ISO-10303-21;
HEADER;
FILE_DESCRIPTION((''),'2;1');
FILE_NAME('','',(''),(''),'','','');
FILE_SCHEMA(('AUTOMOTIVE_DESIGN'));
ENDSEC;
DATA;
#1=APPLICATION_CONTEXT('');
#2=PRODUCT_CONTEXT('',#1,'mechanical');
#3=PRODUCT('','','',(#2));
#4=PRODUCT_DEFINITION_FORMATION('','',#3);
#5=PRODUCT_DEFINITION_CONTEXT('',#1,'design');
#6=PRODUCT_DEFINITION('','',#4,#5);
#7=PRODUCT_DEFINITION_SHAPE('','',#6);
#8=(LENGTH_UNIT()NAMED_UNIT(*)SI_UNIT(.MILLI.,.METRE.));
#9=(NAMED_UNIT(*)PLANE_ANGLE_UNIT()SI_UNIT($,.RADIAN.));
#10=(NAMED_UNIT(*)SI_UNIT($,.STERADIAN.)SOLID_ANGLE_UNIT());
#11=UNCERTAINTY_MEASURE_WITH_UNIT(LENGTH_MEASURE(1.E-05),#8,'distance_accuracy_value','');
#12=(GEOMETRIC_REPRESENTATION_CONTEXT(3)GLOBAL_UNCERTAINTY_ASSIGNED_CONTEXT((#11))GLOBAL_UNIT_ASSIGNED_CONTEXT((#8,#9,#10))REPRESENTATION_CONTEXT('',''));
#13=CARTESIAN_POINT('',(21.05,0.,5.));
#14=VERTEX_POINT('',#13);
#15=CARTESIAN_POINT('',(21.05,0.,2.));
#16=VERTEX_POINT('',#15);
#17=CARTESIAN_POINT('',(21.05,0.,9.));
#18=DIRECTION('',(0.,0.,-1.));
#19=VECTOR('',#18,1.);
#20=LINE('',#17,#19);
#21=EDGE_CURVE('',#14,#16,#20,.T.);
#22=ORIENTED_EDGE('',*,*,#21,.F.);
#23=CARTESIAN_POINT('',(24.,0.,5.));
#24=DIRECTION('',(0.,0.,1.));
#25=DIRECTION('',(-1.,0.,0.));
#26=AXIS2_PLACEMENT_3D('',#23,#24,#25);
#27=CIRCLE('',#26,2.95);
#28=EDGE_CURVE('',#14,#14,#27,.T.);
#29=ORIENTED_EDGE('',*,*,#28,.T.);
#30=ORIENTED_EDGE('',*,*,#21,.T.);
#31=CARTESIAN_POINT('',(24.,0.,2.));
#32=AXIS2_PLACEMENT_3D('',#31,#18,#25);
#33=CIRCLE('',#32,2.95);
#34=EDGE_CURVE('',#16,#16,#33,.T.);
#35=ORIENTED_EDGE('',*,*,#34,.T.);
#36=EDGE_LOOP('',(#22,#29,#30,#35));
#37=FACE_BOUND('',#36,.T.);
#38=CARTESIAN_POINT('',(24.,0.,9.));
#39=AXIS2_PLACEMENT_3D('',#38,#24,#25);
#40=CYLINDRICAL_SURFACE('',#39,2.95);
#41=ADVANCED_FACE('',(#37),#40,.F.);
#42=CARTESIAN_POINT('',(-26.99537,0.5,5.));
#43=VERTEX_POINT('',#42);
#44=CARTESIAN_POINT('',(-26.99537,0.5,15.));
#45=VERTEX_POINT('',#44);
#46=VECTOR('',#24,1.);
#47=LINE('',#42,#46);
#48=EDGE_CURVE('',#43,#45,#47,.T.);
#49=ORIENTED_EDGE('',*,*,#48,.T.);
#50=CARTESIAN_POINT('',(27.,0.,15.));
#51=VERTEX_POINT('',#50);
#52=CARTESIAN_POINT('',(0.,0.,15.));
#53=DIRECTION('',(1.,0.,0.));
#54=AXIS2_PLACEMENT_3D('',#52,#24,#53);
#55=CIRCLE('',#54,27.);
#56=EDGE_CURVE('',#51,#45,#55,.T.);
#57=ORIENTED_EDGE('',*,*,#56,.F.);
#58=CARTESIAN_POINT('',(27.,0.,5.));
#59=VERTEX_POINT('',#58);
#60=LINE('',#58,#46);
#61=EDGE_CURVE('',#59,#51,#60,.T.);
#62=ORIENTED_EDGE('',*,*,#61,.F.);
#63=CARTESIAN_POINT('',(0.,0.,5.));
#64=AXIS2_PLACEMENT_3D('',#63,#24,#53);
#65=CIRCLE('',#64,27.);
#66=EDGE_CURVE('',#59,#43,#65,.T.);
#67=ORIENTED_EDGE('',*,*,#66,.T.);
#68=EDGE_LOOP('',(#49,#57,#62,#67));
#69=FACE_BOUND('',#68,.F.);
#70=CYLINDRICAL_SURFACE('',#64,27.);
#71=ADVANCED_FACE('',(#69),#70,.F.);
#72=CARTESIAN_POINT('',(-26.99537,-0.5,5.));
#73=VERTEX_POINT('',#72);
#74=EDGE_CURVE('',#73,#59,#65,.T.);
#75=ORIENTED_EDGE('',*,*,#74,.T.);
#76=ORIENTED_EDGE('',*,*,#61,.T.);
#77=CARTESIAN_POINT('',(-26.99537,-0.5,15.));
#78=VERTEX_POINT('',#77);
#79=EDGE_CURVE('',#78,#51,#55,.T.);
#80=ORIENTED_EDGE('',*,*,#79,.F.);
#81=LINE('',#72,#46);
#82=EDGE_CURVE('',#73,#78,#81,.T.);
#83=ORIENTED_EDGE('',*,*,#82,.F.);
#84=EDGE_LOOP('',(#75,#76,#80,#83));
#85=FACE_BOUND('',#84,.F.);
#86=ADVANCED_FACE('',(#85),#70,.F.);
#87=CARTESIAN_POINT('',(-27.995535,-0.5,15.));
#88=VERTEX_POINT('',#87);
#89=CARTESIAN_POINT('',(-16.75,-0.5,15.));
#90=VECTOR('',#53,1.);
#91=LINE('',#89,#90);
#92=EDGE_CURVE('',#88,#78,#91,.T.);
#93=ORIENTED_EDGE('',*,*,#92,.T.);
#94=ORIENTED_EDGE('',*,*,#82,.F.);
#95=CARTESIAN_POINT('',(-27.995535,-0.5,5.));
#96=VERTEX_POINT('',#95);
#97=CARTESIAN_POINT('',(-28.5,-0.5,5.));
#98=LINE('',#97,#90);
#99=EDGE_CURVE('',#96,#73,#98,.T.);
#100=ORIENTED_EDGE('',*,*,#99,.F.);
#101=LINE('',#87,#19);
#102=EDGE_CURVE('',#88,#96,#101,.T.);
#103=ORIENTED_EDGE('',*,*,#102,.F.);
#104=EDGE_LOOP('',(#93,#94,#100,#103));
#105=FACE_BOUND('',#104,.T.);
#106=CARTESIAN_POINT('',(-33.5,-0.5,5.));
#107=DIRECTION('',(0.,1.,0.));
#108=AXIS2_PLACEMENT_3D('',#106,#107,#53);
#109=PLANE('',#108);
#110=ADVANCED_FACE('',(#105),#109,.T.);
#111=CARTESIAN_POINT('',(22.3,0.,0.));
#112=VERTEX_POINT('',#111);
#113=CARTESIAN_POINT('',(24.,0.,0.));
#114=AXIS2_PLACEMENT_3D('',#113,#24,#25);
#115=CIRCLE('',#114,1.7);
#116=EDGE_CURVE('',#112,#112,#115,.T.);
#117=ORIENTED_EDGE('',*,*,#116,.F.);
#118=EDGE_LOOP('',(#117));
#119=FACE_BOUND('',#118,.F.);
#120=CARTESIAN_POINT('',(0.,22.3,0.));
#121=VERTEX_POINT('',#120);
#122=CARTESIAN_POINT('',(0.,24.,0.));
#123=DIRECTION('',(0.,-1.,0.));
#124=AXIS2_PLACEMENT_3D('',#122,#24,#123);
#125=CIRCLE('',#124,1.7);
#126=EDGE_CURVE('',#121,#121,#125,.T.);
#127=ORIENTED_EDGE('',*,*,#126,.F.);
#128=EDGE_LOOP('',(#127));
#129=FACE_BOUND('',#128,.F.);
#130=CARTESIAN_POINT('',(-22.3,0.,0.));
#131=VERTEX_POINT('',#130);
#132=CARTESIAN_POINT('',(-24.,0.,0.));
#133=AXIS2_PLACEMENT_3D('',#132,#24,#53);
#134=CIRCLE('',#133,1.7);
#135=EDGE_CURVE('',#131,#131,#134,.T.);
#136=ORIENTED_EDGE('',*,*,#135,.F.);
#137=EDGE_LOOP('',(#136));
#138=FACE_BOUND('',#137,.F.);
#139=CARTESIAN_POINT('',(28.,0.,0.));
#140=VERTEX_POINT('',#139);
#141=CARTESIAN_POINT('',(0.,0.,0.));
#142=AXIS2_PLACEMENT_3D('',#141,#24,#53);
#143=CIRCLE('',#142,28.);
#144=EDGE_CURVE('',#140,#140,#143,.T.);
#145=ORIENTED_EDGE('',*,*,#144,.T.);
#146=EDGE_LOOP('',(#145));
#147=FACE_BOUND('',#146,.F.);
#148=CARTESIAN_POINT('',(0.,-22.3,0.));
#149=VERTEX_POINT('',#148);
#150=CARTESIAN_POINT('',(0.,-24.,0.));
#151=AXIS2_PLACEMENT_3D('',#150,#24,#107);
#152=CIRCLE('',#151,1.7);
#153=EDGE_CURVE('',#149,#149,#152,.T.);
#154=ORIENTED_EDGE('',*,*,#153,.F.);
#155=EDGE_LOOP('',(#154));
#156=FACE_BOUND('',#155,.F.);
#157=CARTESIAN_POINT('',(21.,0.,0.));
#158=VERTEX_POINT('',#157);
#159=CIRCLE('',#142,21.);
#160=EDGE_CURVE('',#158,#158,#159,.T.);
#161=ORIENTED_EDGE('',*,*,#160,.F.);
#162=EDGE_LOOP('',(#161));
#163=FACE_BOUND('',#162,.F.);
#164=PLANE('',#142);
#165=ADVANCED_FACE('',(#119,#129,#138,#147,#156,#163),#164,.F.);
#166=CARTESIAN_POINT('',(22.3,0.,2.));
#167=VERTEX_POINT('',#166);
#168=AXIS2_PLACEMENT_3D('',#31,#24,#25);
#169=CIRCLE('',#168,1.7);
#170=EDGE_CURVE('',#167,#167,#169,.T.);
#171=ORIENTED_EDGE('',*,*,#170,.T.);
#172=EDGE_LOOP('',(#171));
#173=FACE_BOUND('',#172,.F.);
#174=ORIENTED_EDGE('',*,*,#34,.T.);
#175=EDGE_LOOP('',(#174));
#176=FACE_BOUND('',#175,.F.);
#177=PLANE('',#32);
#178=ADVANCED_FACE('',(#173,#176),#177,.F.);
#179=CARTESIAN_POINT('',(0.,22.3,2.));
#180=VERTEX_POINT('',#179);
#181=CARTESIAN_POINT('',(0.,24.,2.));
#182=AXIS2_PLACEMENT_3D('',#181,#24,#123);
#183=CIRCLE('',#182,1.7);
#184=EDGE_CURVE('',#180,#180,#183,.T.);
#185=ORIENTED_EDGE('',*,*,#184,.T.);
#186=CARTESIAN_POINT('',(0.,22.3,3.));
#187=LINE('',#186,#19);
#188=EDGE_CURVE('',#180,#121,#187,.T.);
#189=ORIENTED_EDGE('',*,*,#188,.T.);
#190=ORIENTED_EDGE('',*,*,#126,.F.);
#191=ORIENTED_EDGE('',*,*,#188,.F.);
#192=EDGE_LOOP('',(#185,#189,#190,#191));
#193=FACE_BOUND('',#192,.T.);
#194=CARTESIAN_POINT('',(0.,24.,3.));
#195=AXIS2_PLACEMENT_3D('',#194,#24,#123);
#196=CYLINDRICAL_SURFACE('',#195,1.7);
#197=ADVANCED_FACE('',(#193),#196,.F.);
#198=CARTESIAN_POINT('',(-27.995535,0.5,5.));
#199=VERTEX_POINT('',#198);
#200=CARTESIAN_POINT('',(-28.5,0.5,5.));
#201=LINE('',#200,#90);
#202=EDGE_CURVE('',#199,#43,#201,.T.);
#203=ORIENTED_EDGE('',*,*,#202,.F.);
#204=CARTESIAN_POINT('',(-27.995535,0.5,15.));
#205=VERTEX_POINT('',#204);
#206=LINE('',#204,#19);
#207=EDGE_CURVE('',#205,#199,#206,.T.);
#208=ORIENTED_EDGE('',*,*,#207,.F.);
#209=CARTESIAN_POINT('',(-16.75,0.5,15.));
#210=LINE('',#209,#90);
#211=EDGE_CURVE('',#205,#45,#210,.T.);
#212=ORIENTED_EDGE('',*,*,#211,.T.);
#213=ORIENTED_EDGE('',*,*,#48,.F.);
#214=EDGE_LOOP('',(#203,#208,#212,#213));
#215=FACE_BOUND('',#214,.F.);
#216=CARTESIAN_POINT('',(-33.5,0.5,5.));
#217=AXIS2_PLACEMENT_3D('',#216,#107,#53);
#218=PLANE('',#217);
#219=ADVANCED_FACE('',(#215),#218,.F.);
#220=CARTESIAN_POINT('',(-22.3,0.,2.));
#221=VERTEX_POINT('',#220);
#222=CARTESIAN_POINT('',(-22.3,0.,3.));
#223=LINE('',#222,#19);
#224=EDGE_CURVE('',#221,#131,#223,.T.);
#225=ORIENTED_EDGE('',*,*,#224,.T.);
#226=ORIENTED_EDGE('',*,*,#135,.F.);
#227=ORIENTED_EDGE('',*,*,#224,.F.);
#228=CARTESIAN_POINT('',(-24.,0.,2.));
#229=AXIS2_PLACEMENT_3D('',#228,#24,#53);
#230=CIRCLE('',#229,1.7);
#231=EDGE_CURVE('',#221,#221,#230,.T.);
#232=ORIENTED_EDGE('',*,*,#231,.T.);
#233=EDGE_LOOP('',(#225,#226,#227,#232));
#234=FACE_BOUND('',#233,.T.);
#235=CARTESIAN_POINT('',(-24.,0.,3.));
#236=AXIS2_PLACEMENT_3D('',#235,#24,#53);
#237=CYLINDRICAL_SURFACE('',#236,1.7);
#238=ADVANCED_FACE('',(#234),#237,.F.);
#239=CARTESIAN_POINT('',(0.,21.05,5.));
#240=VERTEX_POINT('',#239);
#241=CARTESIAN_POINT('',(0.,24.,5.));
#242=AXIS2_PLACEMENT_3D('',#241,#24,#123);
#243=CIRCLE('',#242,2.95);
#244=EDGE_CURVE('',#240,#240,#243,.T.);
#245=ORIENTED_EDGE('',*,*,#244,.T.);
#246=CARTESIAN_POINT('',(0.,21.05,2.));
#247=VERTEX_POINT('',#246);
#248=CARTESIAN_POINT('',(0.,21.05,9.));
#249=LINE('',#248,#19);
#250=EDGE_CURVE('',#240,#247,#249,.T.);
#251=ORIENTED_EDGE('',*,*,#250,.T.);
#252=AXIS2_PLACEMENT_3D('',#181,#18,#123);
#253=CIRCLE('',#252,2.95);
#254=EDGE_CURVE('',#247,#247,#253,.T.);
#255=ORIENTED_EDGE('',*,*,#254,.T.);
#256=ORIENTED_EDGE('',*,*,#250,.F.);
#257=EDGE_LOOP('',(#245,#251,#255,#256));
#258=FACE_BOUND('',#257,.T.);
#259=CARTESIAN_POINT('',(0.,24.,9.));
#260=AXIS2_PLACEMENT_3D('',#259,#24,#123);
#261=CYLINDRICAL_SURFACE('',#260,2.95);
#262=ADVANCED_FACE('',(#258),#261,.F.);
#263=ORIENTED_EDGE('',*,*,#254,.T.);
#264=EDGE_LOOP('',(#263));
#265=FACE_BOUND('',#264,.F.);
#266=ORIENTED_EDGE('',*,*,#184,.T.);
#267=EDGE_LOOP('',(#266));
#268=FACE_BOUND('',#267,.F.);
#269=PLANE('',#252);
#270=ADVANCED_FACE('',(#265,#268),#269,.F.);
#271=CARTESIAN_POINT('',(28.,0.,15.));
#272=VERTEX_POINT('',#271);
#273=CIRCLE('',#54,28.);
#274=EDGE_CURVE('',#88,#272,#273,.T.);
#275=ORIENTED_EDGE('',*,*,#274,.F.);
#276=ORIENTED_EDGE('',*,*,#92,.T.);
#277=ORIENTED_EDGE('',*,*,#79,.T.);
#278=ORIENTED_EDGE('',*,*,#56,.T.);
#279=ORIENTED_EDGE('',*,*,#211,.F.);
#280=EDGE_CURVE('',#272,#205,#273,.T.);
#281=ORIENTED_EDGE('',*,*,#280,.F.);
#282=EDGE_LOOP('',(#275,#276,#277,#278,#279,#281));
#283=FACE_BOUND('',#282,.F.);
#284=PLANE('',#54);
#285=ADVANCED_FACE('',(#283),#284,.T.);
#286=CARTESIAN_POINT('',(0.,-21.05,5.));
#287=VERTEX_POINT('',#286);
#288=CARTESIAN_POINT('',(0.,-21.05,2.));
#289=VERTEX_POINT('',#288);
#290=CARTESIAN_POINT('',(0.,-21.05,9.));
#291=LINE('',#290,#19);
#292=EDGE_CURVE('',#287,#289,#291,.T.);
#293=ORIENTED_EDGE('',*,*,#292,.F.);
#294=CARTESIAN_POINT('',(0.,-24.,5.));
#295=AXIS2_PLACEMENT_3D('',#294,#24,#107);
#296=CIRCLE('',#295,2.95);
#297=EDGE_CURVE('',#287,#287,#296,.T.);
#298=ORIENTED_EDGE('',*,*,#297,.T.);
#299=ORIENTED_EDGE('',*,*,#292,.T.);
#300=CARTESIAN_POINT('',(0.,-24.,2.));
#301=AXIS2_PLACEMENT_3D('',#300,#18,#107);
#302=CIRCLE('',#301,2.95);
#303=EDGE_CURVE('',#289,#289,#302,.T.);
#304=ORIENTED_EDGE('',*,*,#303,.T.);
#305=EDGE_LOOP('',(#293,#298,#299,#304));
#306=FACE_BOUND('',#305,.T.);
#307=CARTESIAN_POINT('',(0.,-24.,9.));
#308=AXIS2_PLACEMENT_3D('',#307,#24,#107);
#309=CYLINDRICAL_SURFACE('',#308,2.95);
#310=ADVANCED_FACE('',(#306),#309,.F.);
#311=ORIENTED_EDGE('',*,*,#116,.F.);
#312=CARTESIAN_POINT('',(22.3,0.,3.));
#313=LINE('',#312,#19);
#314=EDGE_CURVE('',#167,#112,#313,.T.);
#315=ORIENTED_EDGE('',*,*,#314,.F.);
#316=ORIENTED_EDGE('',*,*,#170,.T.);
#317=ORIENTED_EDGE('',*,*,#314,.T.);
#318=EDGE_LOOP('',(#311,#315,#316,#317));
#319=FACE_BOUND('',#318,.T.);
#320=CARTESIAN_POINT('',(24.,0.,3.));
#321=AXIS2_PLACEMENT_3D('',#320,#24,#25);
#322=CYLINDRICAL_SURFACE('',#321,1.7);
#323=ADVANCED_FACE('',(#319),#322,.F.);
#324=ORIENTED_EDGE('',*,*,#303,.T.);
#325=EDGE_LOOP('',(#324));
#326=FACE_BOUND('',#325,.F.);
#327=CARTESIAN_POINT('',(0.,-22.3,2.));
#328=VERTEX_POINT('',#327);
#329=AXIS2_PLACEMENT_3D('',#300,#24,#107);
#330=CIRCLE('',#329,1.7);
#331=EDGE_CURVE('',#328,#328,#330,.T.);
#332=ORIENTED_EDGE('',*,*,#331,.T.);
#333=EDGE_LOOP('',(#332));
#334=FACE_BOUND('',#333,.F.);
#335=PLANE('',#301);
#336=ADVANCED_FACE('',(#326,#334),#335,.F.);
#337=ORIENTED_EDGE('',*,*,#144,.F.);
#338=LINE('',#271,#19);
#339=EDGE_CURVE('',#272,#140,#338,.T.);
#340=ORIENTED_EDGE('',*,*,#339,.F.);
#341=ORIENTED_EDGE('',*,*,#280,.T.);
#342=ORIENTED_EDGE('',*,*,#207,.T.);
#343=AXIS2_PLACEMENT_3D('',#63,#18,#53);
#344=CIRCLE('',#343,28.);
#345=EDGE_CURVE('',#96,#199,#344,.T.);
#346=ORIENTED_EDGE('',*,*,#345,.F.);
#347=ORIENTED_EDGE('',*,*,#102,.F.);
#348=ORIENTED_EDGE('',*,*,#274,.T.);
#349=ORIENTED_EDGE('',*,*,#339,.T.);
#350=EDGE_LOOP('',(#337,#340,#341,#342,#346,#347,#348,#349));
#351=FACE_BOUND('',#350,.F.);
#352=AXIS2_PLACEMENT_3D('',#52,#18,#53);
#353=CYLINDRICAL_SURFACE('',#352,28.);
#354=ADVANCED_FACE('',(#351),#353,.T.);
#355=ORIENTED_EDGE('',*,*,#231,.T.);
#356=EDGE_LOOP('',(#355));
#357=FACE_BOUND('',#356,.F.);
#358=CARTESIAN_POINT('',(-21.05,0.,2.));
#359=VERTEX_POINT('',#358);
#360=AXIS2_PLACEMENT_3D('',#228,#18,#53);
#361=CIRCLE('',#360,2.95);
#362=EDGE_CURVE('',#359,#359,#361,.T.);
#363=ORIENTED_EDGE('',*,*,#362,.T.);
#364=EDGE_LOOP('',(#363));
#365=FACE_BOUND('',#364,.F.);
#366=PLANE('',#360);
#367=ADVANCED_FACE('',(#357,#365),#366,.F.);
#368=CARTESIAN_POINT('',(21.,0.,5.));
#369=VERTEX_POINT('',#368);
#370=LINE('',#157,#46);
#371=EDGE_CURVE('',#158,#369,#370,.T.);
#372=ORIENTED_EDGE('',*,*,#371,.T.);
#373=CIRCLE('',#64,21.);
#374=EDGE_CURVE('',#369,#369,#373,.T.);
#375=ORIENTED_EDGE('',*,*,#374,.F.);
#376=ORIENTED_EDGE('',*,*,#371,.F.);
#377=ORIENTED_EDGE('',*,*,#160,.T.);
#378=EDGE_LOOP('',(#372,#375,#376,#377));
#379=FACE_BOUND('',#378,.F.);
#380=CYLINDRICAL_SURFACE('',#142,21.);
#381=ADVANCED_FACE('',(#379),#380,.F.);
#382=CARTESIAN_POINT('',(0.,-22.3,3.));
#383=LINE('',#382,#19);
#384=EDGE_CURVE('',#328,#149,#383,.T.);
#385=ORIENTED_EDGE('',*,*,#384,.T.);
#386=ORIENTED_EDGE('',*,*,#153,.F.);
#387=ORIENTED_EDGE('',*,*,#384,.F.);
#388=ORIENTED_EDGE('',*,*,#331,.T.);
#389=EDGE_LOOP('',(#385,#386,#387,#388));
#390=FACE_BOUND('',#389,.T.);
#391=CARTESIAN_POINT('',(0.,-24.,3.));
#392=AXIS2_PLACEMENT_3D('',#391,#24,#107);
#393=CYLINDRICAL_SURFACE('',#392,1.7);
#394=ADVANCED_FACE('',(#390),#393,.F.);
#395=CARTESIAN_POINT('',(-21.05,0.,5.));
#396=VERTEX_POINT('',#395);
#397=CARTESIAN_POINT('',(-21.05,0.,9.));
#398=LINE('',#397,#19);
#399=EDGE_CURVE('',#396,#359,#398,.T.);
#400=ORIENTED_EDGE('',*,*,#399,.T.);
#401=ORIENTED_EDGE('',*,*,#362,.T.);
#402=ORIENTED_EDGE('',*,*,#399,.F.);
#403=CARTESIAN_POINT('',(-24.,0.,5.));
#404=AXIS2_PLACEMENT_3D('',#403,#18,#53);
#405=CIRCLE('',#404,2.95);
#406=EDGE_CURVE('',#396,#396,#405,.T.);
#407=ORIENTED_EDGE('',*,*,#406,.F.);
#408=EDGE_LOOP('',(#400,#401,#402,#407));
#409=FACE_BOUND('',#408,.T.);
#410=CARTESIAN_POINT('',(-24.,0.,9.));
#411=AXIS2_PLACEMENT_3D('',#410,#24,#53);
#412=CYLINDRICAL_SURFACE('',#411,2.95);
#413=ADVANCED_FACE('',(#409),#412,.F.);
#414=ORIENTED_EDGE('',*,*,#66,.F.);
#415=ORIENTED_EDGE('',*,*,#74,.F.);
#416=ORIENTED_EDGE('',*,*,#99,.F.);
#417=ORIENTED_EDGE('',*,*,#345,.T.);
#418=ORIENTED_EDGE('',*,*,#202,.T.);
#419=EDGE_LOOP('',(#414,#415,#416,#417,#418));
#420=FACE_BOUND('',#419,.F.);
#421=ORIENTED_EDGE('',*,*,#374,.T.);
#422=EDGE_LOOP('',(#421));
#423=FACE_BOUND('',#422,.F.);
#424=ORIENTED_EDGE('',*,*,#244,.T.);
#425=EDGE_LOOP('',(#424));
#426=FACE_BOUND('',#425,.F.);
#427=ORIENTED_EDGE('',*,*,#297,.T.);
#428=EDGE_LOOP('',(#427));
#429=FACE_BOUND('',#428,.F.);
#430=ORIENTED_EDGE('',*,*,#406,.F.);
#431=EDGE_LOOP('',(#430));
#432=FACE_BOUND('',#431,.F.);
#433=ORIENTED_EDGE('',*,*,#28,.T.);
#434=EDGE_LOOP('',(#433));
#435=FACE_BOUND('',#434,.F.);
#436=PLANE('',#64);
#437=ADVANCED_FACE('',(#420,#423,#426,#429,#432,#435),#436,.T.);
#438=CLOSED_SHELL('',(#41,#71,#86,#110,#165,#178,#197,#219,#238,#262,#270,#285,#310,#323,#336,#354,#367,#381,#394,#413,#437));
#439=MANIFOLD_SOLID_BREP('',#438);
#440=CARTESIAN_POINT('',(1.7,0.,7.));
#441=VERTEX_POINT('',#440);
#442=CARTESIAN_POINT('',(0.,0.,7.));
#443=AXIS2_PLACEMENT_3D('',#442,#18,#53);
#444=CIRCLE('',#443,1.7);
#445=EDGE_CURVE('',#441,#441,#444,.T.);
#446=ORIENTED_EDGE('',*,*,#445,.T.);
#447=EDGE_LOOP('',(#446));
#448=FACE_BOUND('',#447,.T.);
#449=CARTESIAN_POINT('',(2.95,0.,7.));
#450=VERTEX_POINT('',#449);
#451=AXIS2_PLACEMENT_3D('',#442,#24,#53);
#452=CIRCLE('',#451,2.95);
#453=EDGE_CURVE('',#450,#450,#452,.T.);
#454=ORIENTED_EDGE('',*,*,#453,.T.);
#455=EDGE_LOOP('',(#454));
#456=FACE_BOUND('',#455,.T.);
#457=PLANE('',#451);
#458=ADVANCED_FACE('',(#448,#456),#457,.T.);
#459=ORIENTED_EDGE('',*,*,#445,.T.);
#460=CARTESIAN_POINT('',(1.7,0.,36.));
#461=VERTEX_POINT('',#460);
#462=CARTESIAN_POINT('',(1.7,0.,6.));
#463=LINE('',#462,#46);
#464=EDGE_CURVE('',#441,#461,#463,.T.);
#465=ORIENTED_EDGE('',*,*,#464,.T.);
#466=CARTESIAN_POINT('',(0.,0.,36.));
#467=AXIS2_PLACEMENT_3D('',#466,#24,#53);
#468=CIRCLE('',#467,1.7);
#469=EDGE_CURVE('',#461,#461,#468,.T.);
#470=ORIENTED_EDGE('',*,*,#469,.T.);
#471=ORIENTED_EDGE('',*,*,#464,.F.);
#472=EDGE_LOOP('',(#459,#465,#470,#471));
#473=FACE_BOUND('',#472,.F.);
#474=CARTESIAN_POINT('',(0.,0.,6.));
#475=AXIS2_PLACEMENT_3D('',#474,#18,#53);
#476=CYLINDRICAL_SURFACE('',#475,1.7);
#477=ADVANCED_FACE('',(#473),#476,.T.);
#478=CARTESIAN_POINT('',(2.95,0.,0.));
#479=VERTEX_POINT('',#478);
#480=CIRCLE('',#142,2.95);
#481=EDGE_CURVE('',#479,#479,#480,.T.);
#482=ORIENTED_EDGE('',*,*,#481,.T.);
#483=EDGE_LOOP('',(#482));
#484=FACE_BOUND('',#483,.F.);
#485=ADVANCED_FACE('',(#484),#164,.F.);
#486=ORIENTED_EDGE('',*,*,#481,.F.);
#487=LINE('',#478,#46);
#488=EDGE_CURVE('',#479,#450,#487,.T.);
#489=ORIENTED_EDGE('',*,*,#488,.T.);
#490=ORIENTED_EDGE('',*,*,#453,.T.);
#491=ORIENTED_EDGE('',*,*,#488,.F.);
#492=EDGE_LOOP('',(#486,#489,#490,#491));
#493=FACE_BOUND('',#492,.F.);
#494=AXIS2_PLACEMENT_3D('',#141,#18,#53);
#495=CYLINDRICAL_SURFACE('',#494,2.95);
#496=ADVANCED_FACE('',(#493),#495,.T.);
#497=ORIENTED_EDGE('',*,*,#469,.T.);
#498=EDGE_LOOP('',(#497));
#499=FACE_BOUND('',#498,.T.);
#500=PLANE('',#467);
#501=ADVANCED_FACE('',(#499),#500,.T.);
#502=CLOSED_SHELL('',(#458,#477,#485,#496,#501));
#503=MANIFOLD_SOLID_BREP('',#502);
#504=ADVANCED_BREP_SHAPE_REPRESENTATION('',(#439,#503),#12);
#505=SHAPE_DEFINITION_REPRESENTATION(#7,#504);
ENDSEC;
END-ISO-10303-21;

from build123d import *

# Parameters (mm, degrees)
CYLINDER_R               = 2.95
CYLINDER_DEPTH           = 7
CYLINDER001_R            = 1.7
CYLINDER001_DEPTH        = 30
BOX260_W                 = 10
BOX260_H                 = 1
BOX260_DEPTH             = 11
CLONE359_PLACEMENT_ANGLE = 180
ARRAY018_COUNT           = 4


with BuildPart() as m3bolthead:
    # Cylinder → Cylinder (new body)
    with BuildSketch(Plane.XY):
        Circle(CYLINDER_R)
    extrude(amount=CYLINDER_DEPTH)


with BuildPart() as m3bolt:
    # Cylinder001 → Cylinder001 (new body)
    with BuildSketch(Plane.XY.offset(6)):
        Circle(CYLINDER001_R)
    extrude(amount=CYLINDER001_DEPTH)

    # Fusion: union M3BoltHead
    add(m3bolthead.part)


with BuildPart() as cube023:
    # Box260 → Box260 (new body)
    with BuildSketch(Plane(origin=(-33.5, -0.5, 5), x_dir=(1, 0, 0), z_dir=(0, 0, 1))):
        with Locations((5, 0.5)):
            Rectangle(BOX260_W, BOX260_H)
    extrude(amount=BOX260_DEPTH)


with BuildPart() as array018:
    # Clone359 base: copy of M3Bolt
    add(m3bolt.part)


with BuildPart() as array018_1:
    # Clone359 placement: moved
    add(array018.part.moved(Location((24, 0, 9))).rotate(Axis((24, 0, 9), (0, 1, 0)), CLONE359_PLACEMENT_ANGLE))

    # Array018: Array018 ×4 about axis
    array018_axis = Axis((0, 0, 0), (0, 0, 1))


with BuildPart() as array018_2:
    add(array018_1.part)
    for i in range(1, ARRAY018_COUNT):
        add(array018_1.part.rotate(array018_axis, i * 360 / ARRAY018_COUNT))


with BuildPart() as art4optodisk:
    # Sketch071 → Revolution017 (revolve)
    with BuildSketch(Plane.XZ):
        Polygon((27, 15), (28, 15), (28, 0), (21, 0), (21, 5), (27, 5), align=None)
    revolve(axis=Axis((0, 0, 0), (0, 0, 1)))

    # Cut114: cut Array018
    add(array018_2.part, mode=Mode.SUBTRACT)

    # Cut115: cut Cube023
    add(cube023.part, mode=Mode.SUBTRACT)


solid = Compound([m3bolt.part, art4optodisk.part])
